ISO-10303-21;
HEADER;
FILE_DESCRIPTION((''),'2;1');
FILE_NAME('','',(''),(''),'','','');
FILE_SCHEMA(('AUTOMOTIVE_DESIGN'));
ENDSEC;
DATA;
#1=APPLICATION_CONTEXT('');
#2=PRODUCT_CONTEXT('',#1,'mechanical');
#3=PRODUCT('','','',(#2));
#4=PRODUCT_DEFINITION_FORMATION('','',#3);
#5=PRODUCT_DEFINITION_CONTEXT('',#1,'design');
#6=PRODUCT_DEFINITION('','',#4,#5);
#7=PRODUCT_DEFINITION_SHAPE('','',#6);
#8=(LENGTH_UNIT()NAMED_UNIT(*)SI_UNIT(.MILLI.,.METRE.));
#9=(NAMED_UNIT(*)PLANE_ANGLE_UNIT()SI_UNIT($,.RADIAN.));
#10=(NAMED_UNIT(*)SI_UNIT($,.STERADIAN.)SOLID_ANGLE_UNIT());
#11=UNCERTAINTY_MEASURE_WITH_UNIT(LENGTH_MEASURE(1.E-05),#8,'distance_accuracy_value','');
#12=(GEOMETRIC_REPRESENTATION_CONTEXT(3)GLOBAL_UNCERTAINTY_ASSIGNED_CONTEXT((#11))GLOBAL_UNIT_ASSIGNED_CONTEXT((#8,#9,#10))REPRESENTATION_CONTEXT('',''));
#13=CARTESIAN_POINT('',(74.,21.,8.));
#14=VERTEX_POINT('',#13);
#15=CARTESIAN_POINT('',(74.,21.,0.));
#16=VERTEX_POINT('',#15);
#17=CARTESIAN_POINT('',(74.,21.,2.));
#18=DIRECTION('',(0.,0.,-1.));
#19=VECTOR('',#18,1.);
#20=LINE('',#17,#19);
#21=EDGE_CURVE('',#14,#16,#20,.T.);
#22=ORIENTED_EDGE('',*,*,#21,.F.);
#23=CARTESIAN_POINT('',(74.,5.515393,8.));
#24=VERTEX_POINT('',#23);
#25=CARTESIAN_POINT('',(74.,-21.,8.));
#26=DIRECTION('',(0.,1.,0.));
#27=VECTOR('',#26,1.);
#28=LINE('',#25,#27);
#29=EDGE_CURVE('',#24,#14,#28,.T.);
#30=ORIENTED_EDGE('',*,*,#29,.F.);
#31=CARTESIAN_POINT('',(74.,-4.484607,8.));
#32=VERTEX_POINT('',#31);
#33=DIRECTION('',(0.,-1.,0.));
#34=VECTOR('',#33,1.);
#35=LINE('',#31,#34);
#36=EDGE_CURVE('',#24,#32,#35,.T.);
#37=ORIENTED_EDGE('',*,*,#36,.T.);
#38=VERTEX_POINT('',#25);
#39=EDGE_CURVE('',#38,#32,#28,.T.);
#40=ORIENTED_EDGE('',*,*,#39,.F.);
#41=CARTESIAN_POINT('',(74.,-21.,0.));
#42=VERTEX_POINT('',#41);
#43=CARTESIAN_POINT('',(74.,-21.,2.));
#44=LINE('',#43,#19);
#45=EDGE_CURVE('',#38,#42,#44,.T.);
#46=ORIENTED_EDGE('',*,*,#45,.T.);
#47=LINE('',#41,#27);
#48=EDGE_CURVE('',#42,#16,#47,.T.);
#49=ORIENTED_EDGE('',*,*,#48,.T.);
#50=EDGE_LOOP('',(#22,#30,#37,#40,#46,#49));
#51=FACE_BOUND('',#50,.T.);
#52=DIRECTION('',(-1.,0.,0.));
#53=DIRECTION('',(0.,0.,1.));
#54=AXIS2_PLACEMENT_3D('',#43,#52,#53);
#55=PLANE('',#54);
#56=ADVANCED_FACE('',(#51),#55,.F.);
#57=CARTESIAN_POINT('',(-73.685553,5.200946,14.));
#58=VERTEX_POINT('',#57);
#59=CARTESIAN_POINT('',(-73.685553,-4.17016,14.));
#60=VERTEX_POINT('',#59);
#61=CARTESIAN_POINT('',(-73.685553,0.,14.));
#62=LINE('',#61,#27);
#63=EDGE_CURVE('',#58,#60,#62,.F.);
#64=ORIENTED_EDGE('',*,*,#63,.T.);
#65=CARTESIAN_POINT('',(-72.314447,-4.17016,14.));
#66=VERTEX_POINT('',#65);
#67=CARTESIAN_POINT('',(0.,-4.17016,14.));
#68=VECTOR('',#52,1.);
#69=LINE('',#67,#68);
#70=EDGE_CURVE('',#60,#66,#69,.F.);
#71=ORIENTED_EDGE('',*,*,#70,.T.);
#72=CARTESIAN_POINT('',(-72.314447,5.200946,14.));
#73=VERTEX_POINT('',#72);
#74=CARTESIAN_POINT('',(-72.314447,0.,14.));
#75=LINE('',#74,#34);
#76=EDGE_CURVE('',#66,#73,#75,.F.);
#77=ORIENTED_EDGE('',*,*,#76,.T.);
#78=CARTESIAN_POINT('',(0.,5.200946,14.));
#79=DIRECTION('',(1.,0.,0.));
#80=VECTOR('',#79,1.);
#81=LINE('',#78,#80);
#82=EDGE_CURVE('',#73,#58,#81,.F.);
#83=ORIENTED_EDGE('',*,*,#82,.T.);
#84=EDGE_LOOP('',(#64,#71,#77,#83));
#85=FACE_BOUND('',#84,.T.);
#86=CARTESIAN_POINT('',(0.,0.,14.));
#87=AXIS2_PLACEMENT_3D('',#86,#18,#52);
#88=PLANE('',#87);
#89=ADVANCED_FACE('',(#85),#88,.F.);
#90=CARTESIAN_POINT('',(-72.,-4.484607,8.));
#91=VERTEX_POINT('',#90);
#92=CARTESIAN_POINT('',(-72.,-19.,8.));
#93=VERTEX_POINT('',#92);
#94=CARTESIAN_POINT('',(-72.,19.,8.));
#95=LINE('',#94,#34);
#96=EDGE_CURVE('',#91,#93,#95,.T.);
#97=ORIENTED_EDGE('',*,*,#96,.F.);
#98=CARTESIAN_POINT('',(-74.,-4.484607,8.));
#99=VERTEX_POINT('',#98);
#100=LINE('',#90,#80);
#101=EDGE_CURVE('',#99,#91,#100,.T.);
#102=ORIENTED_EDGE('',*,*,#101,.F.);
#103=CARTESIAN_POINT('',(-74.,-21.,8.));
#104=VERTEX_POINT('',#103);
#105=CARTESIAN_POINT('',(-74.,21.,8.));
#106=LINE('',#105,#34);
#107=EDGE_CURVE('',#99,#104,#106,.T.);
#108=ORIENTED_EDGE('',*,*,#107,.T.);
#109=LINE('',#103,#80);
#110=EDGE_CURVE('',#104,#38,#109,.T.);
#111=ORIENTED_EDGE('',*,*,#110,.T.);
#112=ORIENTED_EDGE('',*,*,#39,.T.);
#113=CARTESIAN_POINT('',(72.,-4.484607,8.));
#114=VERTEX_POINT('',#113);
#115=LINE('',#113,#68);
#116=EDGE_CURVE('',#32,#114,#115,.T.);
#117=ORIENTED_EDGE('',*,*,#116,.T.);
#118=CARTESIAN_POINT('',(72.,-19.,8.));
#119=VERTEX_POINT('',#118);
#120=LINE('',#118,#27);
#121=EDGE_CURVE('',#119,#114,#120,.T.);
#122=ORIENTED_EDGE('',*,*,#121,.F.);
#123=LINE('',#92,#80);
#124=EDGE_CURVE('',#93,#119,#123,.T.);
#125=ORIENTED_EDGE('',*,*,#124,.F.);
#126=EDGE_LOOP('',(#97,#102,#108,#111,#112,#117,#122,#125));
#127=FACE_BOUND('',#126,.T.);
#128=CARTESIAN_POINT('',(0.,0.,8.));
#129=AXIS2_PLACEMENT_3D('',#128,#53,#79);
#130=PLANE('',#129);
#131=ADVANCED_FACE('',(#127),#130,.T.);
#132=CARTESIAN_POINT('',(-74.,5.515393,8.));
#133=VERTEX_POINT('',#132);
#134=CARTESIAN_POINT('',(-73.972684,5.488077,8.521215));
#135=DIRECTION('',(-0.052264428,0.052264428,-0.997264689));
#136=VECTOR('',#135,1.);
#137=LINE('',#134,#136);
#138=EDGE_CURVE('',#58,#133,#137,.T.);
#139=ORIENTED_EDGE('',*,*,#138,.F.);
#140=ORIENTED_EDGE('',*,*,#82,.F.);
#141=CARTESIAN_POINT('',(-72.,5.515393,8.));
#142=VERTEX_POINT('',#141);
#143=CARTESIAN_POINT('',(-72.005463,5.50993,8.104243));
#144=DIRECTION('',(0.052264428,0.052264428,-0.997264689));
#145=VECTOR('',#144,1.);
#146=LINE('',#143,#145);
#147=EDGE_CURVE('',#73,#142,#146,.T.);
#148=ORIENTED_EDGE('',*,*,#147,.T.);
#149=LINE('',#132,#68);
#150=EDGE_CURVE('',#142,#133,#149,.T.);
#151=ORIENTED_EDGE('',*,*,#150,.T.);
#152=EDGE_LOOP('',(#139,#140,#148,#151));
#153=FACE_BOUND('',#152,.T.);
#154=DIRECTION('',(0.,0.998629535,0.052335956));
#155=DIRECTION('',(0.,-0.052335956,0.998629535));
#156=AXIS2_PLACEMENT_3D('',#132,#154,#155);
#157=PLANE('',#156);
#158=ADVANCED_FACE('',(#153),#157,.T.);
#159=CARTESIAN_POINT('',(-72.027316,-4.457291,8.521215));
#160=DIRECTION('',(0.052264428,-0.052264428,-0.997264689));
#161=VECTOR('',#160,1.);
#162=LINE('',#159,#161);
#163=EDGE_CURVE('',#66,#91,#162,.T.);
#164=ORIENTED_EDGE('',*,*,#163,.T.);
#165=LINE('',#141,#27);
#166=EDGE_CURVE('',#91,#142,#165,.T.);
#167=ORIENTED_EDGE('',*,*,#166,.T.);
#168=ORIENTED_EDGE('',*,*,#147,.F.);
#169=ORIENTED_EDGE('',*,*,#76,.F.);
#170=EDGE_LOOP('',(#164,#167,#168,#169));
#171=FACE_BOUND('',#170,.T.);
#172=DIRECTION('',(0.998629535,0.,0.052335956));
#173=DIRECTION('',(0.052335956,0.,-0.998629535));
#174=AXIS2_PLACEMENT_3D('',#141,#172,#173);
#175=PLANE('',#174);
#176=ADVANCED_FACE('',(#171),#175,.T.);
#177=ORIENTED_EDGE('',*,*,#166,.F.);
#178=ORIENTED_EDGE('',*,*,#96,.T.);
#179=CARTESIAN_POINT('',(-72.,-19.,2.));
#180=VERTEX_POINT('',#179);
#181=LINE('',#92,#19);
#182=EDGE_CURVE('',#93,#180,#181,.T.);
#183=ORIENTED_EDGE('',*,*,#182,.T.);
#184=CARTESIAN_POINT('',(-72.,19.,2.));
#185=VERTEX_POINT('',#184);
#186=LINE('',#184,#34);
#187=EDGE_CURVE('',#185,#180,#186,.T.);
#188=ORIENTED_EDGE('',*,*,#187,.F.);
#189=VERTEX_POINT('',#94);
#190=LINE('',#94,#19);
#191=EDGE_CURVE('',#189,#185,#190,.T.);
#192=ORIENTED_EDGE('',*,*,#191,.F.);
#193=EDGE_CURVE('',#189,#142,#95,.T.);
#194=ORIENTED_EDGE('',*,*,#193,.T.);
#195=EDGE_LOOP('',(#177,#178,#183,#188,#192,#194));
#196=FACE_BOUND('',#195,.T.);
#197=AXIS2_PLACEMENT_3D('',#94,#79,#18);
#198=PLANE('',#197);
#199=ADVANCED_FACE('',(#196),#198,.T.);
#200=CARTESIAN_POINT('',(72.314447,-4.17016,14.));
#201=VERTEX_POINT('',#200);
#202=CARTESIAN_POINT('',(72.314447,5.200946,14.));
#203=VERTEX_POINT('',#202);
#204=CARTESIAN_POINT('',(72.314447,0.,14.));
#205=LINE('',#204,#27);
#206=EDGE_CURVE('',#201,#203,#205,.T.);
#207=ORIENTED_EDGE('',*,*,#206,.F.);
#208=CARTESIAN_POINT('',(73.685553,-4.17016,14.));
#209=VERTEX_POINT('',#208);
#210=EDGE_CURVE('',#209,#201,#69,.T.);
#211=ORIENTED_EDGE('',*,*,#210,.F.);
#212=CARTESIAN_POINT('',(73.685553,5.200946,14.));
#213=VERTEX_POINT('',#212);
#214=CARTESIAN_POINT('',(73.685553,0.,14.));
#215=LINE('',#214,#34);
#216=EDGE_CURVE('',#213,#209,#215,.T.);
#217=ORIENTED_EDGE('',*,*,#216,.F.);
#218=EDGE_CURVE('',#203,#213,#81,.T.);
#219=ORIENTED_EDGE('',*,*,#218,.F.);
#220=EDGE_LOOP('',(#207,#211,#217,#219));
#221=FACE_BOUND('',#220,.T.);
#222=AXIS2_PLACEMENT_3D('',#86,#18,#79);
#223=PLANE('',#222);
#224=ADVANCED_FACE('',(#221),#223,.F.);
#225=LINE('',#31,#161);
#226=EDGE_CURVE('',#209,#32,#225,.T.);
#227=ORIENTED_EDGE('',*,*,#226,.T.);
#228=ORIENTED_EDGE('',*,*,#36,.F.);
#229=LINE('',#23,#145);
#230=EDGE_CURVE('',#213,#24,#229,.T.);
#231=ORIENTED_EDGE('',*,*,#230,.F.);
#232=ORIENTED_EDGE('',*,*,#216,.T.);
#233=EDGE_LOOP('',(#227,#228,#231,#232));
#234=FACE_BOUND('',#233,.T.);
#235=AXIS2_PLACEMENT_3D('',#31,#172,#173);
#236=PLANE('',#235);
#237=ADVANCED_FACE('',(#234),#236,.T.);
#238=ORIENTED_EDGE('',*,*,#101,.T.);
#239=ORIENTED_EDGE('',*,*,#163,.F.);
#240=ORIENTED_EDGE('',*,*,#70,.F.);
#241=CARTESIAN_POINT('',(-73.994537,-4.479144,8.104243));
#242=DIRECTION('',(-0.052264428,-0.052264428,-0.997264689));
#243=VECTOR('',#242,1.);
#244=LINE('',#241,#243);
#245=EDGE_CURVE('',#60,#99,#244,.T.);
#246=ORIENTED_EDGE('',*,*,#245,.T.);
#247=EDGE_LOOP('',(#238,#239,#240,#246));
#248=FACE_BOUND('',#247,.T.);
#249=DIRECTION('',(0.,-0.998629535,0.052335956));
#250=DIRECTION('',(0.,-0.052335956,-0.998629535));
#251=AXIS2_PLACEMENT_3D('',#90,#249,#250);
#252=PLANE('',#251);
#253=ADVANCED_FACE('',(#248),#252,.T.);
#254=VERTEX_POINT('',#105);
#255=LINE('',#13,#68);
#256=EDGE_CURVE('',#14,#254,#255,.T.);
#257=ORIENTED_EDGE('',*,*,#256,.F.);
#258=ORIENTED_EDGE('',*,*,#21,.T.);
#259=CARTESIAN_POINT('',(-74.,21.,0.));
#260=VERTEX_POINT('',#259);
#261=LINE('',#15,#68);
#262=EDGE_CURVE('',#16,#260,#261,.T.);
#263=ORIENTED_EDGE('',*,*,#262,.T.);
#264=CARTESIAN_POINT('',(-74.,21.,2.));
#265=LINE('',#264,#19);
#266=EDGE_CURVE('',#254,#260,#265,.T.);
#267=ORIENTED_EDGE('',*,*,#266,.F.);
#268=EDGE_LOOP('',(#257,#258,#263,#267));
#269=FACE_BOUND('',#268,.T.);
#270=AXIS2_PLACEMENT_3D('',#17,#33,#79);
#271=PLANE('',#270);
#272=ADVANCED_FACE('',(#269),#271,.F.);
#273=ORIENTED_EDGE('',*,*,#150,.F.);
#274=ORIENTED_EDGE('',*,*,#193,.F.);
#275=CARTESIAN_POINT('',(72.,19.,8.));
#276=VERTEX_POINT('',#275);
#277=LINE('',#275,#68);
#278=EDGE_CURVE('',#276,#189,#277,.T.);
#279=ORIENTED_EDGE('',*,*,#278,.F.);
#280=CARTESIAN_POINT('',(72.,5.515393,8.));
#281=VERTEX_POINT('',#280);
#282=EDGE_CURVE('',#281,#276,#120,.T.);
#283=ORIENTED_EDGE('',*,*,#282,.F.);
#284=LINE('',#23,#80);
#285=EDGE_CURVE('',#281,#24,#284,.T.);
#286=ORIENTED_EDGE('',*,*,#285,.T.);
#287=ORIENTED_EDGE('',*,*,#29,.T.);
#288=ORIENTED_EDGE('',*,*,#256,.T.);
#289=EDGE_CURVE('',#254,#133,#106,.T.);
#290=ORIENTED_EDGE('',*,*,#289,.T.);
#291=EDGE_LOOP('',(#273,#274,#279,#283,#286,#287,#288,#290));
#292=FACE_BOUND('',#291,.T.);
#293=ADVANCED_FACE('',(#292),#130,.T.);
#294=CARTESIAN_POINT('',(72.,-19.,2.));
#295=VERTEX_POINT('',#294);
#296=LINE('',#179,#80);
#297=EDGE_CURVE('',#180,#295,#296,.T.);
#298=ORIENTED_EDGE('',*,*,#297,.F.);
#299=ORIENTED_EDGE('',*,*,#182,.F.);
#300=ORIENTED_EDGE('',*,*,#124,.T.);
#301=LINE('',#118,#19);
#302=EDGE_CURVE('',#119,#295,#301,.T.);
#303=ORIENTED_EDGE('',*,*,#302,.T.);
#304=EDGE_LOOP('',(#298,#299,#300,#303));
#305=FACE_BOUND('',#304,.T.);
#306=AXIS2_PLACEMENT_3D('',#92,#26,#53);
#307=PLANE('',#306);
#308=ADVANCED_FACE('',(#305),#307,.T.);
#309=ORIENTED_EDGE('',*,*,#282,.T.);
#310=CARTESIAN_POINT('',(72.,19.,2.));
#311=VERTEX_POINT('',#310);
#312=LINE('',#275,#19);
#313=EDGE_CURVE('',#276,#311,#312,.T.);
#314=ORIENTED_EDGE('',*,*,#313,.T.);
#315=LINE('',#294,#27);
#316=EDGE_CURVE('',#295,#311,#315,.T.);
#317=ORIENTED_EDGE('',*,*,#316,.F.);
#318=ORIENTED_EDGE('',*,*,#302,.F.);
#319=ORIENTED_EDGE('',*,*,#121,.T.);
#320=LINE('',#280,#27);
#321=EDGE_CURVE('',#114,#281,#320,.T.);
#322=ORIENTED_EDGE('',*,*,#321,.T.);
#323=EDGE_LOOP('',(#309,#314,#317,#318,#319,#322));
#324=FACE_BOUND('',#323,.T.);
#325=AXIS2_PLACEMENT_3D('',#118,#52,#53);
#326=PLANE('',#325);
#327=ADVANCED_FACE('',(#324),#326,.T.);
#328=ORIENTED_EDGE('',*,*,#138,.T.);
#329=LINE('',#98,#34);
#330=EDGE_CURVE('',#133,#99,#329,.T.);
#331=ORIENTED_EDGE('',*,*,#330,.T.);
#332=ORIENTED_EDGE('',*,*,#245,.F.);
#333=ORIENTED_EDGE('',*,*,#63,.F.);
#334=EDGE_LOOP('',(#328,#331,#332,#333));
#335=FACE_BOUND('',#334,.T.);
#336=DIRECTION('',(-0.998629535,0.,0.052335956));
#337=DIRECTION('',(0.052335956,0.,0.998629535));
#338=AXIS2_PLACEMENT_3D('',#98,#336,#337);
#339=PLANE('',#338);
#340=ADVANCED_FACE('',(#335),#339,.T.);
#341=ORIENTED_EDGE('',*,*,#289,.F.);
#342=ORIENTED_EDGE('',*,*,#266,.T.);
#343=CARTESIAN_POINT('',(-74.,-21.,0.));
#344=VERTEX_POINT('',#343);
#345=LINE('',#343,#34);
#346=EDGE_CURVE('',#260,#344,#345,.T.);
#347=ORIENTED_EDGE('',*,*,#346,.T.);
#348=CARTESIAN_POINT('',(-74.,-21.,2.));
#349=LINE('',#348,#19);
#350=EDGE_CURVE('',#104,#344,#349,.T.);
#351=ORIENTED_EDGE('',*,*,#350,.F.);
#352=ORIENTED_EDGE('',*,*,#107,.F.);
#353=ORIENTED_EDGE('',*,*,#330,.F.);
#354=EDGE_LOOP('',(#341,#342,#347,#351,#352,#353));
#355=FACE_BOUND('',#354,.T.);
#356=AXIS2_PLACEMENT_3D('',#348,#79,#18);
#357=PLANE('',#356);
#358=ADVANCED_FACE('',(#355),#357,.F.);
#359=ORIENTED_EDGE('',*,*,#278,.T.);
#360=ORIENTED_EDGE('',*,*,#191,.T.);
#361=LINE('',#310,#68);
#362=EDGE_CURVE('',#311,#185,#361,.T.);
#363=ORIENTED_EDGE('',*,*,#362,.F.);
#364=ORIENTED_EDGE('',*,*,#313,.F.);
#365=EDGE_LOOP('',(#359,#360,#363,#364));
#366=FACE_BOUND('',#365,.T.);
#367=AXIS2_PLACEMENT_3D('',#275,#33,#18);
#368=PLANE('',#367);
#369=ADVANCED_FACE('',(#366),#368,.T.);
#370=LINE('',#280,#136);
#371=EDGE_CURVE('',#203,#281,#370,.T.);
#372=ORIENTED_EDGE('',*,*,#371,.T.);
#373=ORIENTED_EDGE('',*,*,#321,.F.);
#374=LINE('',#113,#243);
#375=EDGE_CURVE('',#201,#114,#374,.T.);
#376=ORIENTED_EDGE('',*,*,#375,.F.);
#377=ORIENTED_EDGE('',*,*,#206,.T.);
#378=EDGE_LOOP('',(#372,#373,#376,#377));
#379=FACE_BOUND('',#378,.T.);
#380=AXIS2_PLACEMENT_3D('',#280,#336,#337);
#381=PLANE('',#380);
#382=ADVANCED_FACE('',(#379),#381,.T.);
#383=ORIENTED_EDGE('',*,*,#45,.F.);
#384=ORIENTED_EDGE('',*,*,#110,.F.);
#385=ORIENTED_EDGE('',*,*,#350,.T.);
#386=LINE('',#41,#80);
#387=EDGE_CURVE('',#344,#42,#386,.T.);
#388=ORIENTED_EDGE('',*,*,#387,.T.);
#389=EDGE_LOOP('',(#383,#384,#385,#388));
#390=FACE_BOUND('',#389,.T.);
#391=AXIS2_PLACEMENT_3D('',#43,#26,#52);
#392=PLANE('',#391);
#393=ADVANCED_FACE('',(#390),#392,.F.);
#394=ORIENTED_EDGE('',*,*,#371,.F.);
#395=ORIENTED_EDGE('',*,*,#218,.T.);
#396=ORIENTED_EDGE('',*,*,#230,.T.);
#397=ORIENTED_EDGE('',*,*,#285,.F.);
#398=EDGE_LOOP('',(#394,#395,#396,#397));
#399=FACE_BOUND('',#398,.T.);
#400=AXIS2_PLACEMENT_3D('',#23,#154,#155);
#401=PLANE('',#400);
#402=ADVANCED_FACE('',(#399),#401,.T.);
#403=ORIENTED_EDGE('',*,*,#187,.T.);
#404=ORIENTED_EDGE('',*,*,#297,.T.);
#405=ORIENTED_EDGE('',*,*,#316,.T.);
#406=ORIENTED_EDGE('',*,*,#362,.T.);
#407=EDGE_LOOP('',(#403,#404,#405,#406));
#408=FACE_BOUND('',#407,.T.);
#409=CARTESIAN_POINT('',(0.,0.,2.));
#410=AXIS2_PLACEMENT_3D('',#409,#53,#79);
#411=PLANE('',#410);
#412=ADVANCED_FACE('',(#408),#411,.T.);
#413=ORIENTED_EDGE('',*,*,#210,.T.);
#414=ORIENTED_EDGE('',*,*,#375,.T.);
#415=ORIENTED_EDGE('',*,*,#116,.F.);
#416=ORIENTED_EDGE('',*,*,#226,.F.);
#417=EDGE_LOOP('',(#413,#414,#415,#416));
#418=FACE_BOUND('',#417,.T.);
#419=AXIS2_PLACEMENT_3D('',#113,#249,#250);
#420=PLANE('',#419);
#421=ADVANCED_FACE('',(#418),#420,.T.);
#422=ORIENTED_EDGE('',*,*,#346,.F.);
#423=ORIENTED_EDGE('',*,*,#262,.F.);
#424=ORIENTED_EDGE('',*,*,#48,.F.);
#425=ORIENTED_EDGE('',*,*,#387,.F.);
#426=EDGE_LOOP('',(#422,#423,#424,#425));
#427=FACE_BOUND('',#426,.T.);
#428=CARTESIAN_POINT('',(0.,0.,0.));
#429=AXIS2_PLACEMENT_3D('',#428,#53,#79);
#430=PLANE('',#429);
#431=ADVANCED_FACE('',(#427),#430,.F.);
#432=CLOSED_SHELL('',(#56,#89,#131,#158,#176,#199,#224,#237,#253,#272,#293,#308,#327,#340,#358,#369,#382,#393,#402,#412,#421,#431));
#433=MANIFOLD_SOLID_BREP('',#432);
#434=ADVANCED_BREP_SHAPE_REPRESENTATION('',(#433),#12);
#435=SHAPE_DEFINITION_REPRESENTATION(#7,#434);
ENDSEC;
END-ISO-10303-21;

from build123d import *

# Parameters (mm, degrees)
SCHIZZO1_W                   = 148
SCHIZZO1_H                   = 42
ESTRUSIONE_ESTRUSIONE1_DEPTH = 2
SCHIZZO2_W                   = 148
SCHIZZO2_H                   = 42
SCHIZZO2_W_2                 = 144
SCHIZZO2_H_2                 = 38
ESTRUSIONE_ESTRUSIONE2_DEPTH = 6
SCHIZZO3_W                   = 2
SCHIZZO3_H                   = 10
ESTRUSIONE_ESTRUSIONE3_DEPTH = 6
ESTRUSIONE_ESTRUSIONE3_TAPER = 3


with BuildPart() as part:
    # Schizzo1 → Estrusione-Estrusione1 (new body)
    with BuildSketch(Plane.XY):
        Rectangle(SCHIZZO1_W, SCHIZZO1_H)
    extrude(amount=ESTRUSIONE_ESTRUSIONE1_DEPTH)

    # Schizzo2 → Estrusione-Estrusione2 (add)
    with BuildSketch(Plane.XY.offset(2)):
        Rectangle(SCHIZZO2_W, SCHIZZO2_H)
        Rectangle(SCHIZZO2_W_2, SCHIZZO2_H_2, mode=Mode.SUBTRACT)
    extrude(amount=ESTRUSIONE_ESTRUSIONE2_DEPTH)

    # Schizzo3 → Estrusione-Estrusione3 (add)
    with BuildSketch(Plane.XY.offset(8)):
        with Locations((-73, 0.515392861)):
            Rectangle(SCHIZZO3_W, SCHIZZO3_H)
    estrusione_estrusione3 = extrude(amount=ESTRUSIONE_ESTRUSIONE3_DEPTH, taper=ESTRUSIONE_ESTRUSIONE3_TAPER)

    # Specchia1: Estrusione-Estrusione3 across plane
    add(estrusione_estrusione3.mirror(Plane(origin=(0, 0, 0), x_dir=(0, 0, 1), z_dir=(1, 0, 0))))


solid = part.part
